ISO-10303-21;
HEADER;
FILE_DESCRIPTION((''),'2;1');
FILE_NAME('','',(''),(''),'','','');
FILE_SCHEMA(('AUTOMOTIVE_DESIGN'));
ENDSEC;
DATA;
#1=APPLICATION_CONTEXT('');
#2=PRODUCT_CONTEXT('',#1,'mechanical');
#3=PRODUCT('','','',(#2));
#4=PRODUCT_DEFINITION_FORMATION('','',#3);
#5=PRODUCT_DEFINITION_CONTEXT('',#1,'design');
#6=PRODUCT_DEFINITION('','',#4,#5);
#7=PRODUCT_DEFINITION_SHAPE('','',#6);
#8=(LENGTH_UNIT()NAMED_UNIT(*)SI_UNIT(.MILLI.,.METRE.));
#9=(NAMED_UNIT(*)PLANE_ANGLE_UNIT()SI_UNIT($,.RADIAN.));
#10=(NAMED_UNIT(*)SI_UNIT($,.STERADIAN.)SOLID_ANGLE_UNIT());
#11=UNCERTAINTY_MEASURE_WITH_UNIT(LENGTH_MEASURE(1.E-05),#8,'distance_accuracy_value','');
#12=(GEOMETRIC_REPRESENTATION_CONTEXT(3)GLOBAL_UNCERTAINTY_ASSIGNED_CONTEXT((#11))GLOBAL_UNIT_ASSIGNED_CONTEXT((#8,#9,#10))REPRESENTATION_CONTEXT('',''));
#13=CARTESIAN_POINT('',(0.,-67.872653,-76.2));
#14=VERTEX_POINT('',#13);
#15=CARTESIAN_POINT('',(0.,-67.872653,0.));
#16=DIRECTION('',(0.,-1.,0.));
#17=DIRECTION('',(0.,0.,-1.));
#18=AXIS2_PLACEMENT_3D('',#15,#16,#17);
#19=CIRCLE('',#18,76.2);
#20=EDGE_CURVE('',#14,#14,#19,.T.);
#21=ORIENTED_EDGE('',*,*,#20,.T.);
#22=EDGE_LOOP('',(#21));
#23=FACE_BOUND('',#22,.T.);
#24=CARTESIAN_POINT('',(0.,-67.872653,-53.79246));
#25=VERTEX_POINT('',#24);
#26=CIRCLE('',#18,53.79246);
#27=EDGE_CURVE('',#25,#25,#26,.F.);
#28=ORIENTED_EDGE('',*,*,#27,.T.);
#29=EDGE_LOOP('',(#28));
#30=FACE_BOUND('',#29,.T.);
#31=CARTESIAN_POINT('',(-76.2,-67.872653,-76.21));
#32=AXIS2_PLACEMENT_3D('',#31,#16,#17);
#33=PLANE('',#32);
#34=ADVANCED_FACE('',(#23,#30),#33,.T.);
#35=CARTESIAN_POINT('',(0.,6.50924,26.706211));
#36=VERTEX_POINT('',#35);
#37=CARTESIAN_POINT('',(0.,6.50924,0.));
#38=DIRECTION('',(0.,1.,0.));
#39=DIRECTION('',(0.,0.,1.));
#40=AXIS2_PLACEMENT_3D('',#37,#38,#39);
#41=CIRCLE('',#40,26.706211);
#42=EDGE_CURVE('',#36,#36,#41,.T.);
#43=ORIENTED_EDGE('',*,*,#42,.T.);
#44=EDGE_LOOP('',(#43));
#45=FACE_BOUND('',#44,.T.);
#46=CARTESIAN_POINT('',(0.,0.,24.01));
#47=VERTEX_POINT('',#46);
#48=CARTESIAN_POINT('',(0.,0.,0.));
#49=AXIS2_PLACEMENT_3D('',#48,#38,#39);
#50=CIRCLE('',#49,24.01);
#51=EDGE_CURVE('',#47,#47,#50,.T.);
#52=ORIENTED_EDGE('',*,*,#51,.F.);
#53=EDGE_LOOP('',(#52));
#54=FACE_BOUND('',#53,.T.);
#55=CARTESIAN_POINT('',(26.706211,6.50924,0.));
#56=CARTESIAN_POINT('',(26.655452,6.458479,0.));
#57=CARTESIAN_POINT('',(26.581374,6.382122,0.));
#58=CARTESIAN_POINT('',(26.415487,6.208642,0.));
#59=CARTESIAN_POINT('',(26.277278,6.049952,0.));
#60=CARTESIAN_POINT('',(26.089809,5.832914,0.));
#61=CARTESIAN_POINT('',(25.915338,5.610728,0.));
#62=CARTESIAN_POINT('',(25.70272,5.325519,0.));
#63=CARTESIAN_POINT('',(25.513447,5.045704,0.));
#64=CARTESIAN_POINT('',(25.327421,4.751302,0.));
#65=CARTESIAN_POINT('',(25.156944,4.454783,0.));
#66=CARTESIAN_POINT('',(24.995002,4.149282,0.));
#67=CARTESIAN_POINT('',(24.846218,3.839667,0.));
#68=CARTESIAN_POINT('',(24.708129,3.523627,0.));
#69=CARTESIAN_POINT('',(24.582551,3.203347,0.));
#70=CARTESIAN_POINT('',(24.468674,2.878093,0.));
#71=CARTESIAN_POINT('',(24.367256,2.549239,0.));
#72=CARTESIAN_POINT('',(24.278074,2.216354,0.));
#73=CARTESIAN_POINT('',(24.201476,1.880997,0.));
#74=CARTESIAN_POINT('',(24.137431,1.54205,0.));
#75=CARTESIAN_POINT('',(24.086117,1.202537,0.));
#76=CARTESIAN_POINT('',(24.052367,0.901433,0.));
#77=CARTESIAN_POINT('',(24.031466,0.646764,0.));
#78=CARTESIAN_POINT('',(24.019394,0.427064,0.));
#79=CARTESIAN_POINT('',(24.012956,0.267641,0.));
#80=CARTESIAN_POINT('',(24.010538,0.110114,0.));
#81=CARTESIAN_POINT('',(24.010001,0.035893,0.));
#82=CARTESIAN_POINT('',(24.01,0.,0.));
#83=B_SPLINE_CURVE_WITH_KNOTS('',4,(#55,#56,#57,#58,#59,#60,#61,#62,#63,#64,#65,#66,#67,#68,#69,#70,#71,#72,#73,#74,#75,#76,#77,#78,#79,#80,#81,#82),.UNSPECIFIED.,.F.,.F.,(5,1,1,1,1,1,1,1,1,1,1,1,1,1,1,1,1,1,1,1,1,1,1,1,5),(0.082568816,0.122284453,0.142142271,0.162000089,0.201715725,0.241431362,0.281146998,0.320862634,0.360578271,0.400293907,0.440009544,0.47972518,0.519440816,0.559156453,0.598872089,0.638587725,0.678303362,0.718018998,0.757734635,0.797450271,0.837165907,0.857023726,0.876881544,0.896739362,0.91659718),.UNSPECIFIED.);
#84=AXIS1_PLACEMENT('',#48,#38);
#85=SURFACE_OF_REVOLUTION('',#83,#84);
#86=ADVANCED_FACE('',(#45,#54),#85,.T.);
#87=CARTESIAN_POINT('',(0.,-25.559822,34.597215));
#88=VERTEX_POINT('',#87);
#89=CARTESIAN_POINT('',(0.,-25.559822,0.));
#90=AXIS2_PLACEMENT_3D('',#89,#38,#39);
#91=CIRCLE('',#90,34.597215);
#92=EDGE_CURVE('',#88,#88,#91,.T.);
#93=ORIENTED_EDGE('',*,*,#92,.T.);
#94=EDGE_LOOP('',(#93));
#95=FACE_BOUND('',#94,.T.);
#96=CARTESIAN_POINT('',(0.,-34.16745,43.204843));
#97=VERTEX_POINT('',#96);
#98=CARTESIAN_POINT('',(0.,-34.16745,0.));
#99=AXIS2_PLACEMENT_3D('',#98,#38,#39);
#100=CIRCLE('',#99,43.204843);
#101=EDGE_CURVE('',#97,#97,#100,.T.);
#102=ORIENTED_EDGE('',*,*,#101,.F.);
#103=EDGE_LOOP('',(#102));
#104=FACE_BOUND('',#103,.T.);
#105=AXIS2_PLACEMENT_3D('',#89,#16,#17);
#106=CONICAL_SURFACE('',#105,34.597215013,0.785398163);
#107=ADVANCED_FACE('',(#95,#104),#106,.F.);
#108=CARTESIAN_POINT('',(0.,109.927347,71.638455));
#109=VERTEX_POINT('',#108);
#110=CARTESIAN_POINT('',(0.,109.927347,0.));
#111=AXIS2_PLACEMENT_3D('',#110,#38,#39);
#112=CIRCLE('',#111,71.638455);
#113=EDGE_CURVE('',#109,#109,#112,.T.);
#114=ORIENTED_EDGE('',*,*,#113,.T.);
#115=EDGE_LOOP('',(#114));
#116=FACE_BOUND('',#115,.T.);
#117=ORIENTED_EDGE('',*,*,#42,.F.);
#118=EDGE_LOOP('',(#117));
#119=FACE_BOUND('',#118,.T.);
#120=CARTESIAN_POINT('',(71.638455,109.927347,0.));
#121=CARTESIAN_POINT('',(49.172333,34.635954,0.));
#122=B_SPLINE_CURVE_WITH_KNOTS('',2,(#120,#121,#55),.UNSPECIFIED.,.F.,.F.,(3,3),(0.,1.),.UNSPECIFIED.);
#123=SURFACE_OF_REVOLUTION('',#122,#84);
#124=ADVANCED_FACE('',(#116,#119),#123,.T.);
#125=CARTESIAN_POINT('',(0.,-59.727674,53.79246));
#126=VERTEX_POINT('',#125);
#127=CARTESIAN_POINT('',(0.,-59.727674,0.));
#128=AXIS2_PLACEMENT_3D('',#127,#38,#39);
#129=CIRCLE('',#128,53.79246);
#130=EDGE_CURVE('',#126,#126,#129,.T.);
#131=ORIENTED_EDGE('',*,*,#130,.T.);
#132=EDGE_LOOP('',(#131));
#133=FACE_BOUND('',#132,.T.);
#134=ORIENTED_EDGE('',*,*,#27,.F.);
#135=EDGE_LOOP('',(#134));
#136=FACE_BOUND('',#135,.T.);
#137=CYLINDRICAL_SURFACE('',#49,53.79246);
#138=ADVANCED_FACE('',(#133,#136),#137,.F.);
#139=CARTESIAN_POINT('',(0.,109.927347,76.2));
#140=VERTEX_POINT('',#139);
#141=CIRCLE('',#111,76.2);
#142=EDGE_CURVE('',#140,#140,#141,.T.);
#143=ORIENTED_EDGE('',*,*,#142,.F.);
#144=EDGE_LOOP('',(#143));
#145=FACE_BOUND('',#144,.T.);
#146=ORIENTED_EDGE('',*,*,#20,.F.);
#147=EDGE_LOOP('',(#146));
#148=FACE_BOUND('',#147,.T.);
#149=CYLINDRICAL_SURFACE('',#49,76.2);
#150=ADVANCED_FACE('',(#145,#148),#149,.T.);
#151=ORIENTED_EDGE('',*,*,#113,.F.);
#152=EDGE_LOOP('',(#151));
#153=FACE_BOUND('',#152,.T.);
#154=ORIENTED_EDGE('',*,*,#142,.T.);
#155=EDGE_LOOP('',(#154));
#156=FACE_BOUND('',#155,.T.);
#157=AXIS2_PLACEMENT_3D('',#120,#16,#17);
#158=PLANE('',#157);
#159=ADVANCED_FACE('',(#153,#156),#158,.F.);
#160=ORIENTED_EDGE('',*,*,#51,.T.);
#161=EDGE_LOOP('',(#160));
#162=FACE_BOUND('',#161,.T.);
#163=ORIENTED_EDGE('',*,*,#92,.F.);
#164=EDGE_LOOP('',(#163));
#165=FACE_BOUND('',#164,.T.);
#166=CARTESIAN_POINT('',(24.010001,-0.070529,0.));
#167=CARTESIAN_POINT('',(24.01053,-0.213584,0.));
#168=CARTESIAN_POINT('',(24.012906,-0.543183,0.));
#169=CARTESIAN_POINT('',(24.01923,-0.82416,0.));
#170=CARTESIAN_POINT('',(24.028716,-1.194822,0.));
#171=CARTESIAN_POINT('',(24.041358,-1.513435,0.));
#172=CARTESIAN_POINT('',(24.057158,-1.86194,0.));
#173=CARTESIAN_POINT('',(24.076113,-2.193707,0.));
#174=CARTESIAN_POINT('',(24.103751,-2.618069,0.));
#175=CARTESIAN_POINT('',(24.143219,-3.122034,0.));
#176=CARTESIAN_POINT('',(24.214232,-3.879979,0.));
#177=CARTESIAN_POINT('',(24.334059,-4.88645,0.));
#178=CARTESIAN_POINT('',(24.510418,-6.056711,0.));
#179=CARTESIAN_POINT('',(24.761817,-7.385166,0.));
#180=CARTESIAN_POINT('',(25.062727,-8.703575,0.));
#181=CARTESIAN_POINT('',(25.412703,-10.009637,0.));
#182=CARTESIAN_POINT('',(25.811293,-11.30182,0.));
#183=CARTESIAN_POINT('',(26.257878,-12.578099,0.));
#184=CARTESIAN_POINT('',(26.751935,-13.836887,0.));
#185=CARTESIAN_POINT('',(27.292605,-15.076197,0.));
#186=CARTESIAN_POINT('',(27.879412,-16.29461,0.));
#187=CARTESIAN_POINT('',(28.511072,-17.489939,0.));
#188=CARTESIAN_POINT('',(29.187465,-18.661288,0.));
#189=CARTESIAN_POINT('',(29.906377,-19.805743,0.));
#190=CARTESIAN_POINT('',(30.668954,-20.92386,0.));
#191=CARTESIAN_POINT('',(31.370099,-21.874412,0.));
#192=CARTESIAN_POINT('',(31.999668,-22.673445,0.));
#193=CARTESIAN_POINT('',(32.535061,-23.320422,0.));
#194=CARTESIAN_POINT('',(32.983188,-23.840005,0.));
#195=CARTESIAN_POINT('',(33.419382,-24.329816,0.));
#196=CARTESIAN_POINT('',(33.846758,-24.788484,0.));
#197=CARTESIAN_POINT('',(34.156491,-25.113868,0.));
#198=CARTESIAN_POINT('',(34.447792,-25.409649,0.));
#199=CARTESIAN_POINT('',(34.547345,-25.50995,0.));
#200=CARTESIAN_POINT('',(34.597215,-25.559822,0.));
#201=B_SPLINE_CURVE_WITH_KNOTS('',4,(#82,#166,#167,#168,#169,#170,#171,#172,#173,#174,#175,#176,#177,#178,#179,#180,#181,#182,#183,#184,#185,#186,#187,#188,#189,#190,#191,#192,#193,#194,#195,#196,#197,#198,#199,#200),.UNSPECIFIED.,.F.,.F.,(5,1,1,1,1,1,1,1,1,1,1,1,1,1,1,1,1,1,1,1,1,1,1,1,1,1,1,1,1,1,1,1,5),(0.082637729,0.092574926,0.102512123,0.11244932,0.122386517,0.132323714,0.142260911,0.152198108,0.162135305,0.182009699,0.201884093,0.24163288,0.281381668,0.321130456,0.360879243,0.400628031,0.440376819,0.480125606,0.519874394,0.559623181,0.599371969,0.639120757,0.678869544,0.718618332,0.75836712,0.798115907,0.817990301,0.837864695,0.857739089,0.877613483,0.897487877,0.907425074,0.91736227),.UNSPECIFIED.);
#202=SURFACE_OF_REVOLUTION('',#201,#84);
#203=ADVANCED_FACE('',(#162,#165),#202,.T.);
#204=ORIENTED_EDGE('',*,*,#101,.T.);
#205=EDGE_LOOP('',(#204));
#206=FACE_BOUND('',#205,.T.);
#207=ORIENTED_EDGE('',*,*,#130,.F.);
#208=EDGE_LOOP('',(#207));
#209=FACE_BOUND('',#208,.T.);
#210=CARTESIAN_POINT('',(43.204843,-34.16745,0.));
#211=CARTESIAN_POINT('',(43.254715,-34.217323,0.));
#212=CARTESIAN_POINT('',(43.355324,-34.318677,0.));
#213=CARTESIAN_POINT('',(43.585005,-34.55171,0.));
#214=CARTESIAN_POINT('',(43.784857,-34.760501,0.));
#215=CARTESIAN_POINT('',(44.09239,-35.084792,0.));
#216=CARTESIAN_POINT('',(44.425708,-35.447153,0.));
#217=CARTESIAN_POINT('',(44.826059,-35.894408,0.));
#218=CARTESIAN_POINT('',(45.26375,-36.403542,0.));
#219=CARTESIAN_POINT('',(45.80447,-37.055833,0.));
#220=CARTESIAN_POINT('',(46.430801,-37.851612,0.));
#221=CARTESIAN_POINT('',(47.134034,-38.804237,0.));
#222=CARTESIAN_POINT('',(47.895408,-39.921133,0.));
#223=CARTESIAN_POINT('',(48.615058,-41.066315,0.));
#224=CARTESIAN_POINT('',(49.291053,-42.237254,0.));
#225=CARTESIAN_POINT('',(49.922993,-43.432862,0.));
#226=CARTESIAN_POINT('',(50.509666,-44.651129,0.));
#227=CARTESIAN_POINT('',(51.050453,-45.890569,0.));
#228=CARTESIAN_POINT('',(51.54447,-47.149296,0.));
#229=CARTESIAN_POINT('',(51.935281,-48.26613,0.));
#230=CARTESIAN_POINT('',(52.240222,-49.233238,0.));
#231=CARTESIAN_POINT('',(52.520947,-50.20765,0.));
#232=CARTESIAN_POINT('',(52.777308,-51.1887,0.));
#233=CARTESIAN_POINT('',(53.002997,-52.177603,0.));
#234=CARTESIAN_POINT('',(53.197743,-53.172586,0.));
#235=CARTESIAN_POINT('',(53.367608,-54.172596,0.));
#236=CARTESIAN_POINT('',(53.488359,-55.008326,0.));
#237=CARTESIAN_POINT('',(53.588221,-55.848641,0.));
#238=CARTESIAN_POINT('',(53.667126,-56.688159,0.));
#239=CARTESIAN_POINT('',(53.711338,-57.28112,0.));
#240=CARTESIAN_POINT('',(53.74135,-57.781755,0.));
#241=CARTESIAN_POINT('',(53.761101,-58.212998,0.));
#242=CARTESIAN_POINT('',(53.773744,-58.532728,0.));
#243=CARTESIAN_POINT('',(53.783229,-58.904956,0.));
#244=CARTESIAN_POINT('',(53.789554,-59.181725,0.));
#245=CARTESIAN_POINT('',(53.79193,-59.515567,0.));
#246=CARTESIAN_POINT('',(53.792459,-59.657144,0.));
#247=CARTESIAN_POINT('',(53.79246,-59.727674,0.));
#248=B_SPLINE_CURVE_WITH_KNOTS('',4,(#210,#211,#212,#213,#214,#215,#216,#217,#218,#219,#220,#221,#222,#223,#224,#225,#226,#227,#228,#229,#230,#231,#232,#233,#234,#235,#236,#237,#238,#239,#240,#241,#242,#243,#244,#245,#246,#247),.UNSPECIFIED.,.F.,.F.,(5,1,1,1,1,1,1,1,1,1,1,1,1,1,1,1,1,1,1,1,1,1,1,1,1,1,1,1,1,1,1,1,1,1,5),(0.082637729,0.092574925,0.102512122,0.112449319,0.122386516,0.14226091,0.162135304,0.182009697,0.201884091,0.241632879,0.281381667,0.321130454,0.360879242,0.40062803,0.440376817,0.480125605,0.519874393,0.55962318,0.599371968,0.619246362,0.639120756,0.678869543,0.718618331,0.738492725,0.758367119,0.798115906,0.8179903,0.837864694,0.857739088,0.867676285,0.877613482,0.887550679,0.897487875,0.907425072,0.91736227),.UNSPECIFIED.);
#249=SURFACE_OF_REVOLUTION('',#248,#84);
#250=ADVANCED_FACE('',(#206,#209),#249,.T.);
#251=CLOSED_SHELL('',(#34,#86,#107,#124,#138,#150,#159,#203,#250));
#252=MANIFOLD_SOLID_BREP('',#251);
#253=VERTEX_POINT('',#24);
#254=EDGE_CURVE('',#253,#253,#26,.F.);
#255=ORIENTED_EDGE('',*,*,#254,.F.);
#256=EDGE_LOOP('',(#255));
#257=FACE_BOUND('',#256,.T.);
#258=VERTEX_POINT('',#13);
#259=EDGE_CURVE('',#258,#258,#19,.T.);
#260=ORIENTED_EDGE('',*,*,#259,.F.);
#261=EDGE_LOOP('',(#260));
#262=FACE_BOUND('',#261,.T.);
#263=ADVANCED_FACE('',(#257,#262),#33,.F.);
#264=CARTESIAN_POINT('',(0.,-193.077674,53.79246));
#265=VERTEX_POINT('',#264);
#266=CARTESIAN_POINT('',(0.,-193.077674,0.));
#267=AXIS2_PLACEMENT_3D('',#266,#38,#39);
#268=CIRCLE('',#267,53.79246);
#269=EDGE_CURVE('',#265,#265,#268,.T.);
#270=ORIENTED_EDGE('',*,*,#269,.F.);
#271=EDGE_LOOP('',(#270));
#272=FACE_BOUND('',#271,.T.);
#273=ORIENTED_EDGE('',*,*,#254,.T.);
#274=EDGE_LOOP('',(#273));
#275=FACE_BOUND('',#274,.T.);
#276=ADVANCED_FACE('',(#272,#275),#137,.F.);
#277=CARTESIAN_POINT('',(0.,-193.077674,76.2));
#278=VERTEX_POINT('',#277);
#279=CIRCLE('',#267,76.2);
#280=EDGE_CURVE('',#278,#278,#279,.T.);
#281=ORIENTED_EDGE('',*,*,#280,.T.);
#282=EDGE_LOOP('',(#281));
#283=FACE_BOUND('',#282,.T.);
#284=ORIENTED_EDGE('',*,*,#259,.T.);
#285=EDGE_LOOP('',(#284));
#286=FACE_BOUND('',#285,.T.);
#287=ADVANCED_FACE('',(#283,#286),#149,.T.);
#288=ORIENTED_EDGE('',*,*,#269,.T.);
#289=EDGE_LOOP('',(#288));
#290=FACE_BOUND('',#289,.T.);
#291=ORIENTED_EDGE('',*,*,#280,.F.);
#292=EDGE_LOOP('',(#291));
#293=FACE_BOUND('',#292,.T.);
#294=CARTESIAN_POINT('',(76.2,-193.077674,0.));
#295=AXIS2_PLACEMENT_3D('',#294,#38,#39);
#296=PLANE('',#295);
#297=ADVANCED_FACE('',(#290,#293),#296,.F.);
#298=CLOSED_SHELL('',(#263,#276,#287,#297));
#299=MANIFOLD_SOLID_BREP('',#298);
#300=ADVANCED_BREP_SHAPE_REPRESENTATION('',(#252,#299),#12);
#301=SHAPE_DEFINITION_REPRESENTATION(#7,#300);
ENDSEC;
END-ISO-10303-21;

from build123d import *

# Parameters (mm, degrees)
SHORTEN_CHAMBER_75IN_BY = 19.05
SPLIT1_SURFACE_1_BACK   = 372.838
SPLIT1_SURFACE_1_DEPTH  = 745.676
SPLIT1_SURFACE_2_BACK   = 372.838
SPLIT1_SURFACE_2_DEPTH  = 745.676


with BuildPart() as part:
    # Sketch1 → Revolve2 (revolve)
    with BuildSketch(Plane.XY, mode=Mode.PRIVATE) as revolve2_sk:
        with BuildLine():
            Line((71.638455479, 109.927347077), (76.2, 109.927347077))
            Line((76.2, 109.927347077), (76.2, -212.127673706))
            Line((76.2, -212.127673706), (53.792460243, -212.127673706))
            Line((53.792460243, -212.127673706), (53.792460243, -59.727673706))
            add(Edge.make_bspline(
                [(53.792460243, -59.727673706), (53.79245901, -59.657143635), (53.791929865, -59.515566582), (53.78955401, -59.181725095), (53.783229407, -58.904955972), (53.773743915, -58.532727967), (53.761101012, -58.212998101), (53.741350178, -57.781754922), (53.71133783, -57.281120379), (53.667125658, -56.688158646), (53.588220976, -55.848640848), (53.488359374, -55.008326344), (53.367608286, -54.172595915), (53.197743308, -53.172585727), (53.002996658, -52.177603312), (52.777307577, -51.188699577), (52.520946667, -50.207649536), (52.240221768, -49.233238242), (51.935281153, -48.26612973), (51.544470229, -47.149295579), (51.05045274, -45.890568924), (50.509666114, -44.65112933), (49.922993271, -43.432862061), (49.291052557, -42.237253783), (48.615057538, -41.066315433), (47.895407812, -39.921133222), (47.134034414, -38.804236815), (46.430801323, -37.851612371), (45.804470188, -37.055832718), (45.263749922, -36.403541885), (44.826059182, -35.894408242), (44.425708417, -35.447153273), (44.092389725, -35.084791805), (43.784856841, -34.760500776), (43.585004621, -34.551710078), (43.355324283, -34.318676919), (43.25471536, -34.217322688), (43.204843213, -34.167450302)],
                knots=[0.082637729, 0.082637729, 0.082637729, 0.082637729, 0.082637729, 0.092574926, 0.102512123, 0.11244932, 0.122386517, 0.132323714, 0.142260911, 0.162135305, 0.182009699, 0.201884093, 0.24163288, 0.261507274, 0.281381668, 0.321130456, 0.360879243, 0.380753637, 0.400628031, 0.440376819, 0.480125606, 0.519874394, 0.559623181, 0.599371969, 0.639120757, 0.678869544, 0.718618332, 0.75836712, 0.798115907, 0.817990301, 0.837864695, 0.857739089, 0.877613483, 0.88755068, 0.897487877, 0.907425074, 0.91736227, 0.91736227, 0.91736227, 0.91736227, 0.91736227], degree=4))
            Line((43.204843213, -34.167450302), (34.597215016, -25.559822106))
            add(Edge.make_bspline(
                [(24.01, 0), (24.010001231, -0.070528647), (24.010530378, -0.21358419), (24.012906065, -0.543182916), (24.01923046, -0.824160397), (24.028715582, -1.194822072), (24.041357876, -1.513435058), (24.0571581, -1.861939603), (24.07611336, -2.193706872), (24.103750975, -2.6180694), (24.143219184, -3.122033947), (24.214231846, -3.879978675), (24.33405882, -4.886450388), (24.51041819, -6.05671076), (24.761817384, -7.385166414), (25.062727469, -8.703574513), (25.412702783, -10.009637207), (25.811293148, -11.301819595), (26.25787756, -12.578099333), (26.751935496, -13.836887481), (27.292605299, -15.076197125), (27.879411568, -16.29460979), (28.511071583, -17.489938789), (29.187464585, -18.661287751), (29.906377295, -19.80574339), (30.668954196, -20.923860067), (31.370099393, -21.874411752), (31.999668326, -22.673445472), (32.535060622, -23.320422129), (32.983187975, -23.840005007), (33.419382235, -24.329816236), (33.846758332, -24.788484379), (34.156490851, -25.113868299), (34.44779217, -25.409649035), (34.547344638, -25.509949921), (34.597215016, -25.559822106)],
                knots=[0.082637729, 0.082637729, 0.082637729, 0.082637729, 0.082637729, 0.092574926, 0.102512123, 0.11244932, 0.122386517, 0.132323714, 0.142260911, 0.152198108, 0.162135305, 0.182009699, 0.201884093, 0.24163288, 0.281381668, 0.321130456, 0.360879243, 0.400628031, 0.440376819, 0.480125606, 0.519874394, 0.559623181, 0.599371969, 0.639120757, 0.678869544, 0.718618332, 0.75836712, 0.798115907, 0.817990301, 0.837864695, 0.857739089, 0.877613483, 0.897487877, 0.907425074, 0.91736227, 0.91736227, 0.91736227, 0.91736227, 0.91736227], degree=4))
            add(Edge.make_bspline(
                [(24.01, 0), (24.010000626, 0.035892652), (24.010538457, 0.11011369), (24.012955849, 0.267641069), (24.019393694, 0.427064117), (24.031465725, 0.646764266), (24.052367213, 0.901433328), (24.086116845, 1.202537273), (24.137431431, 1.542050498), (24.201475827, 1.880996777), (24.278073727, 2.21635442), (24.367255697, 2.549239421), (24.468673539, 2.878092645), (24.582551197, 3.203347041), (24.708128897, 3.523627157), (24.846218103, 3.839666733), (24.995002427, 4.149282184), (25.156944348, 4.454783123), (25.327420631, 4.751301575), (25.513446847, 5.045703861), (25.702720396, 5.325518936), (25.9153376, 5.610727543), (26.0898085, 5.832913647), (26.277277882, 6.049951637), (26.415487374, 6.208641646), (26.581374196, 6.382121779), (26.655452387, 6.458478841), (26.706211329, 6.50923965)],
                knots=[0.082568816, 0.082568816, 0.082568816, 0.082568816, 0.082568816, 0.102426634, 0.122284453, 0.142142271, 0.162000089, 0.201715725, 0.241431362, 0.281146998, 0.320862634, 0.360578271, 0.400293907, 0.440009544, 0.47972518, 0.519440816, 0.559156453, 0.598872089, 0.638587725, 0.678303362, 0.718018998, 0.757734635, 0.797450271, 0.837165907, 0.857023726, 0.876881544, 0.91659718, 0.91659718, 0.91659718, 0.91659718, 0.91659718], degree=4))
            add(Edge.make_bspline(
                [(26.706211329, 6.50923965), (49.172333461, 34.635954224), (71.638455479, 109.927347077)],
                knots=[0, 0, 0, 1, 1, 1], degree=2))
        make_face()
    revolve(revolve2_sk.sketch.rotate(Axis((0, 0, 0), (0, -1, 0)), 90), axis=Axis((0, 0, 0), (0, -1, 0)))

    # shorten_chamber_.75in: a face moved inward by 19.05
    extrude(part.faces().sort_by_distance((60.96, -212.127673706, 0))[0], amount=SHORTEN_CHAMBER_75IN_BY, dir=(0, 1, 0), mode=Mode.SUBTRACT)


with BuildPart() as body_2:
    # Split1: the piece behind the surface
    add(part.part)
    # Split1 surface: a surface, the sketch's curves swept straight by 745.676 mm
    with BuildLine(Plane.XY.offset(-SPLIT1_SURFACE_1_BACK), mode=Mode.PRIVATE) as split1_surface_1_path:
        Line((-76.2, -67.872652923), (76.2, -67.872652923))
    split1_surface_1 = Shell.extrude(split1_surface_1_path.wire(), (0 * SPLIT1_SURFACE_1_DEPTH, 0 * SPLIT1_SURFACE_1_DEPTH, 1 * SPLIT1_SURFACE_1_DEPTH))
    split(bisect_by=split1_surface_1, keep=Keep.BOTTOM)


with BuildPart() as part_1:
    add(part.part)

    # Split1: split by a surface, the side it looks to stays
    # Split1 surface: a surface, the sketch's curves swept straight by 745.676 mm
    with BuildLine(Plane.XY.offset(-SPLIT1_SURFACE_2_BACK), mode=Mode.PRIVATE) as split1_surface_2_path:
        Line((-76.2, -67.872652923), (76.2, -67.872652923))
    split1_surface_2 = Shell.extrude(split1_surface_2_path.wire(), (0 * SPLIT1_SURFACE_2_DEPTH, 0 * SPLIT1_SURFACE_2_DEPTH, 1 * SPLIT1_SURFACE_2_DEPTH))
    split(bisect_by=split1_surface_2, keep=Keep.TOP)


solid = Compound([body_2.part, part_1.part])
